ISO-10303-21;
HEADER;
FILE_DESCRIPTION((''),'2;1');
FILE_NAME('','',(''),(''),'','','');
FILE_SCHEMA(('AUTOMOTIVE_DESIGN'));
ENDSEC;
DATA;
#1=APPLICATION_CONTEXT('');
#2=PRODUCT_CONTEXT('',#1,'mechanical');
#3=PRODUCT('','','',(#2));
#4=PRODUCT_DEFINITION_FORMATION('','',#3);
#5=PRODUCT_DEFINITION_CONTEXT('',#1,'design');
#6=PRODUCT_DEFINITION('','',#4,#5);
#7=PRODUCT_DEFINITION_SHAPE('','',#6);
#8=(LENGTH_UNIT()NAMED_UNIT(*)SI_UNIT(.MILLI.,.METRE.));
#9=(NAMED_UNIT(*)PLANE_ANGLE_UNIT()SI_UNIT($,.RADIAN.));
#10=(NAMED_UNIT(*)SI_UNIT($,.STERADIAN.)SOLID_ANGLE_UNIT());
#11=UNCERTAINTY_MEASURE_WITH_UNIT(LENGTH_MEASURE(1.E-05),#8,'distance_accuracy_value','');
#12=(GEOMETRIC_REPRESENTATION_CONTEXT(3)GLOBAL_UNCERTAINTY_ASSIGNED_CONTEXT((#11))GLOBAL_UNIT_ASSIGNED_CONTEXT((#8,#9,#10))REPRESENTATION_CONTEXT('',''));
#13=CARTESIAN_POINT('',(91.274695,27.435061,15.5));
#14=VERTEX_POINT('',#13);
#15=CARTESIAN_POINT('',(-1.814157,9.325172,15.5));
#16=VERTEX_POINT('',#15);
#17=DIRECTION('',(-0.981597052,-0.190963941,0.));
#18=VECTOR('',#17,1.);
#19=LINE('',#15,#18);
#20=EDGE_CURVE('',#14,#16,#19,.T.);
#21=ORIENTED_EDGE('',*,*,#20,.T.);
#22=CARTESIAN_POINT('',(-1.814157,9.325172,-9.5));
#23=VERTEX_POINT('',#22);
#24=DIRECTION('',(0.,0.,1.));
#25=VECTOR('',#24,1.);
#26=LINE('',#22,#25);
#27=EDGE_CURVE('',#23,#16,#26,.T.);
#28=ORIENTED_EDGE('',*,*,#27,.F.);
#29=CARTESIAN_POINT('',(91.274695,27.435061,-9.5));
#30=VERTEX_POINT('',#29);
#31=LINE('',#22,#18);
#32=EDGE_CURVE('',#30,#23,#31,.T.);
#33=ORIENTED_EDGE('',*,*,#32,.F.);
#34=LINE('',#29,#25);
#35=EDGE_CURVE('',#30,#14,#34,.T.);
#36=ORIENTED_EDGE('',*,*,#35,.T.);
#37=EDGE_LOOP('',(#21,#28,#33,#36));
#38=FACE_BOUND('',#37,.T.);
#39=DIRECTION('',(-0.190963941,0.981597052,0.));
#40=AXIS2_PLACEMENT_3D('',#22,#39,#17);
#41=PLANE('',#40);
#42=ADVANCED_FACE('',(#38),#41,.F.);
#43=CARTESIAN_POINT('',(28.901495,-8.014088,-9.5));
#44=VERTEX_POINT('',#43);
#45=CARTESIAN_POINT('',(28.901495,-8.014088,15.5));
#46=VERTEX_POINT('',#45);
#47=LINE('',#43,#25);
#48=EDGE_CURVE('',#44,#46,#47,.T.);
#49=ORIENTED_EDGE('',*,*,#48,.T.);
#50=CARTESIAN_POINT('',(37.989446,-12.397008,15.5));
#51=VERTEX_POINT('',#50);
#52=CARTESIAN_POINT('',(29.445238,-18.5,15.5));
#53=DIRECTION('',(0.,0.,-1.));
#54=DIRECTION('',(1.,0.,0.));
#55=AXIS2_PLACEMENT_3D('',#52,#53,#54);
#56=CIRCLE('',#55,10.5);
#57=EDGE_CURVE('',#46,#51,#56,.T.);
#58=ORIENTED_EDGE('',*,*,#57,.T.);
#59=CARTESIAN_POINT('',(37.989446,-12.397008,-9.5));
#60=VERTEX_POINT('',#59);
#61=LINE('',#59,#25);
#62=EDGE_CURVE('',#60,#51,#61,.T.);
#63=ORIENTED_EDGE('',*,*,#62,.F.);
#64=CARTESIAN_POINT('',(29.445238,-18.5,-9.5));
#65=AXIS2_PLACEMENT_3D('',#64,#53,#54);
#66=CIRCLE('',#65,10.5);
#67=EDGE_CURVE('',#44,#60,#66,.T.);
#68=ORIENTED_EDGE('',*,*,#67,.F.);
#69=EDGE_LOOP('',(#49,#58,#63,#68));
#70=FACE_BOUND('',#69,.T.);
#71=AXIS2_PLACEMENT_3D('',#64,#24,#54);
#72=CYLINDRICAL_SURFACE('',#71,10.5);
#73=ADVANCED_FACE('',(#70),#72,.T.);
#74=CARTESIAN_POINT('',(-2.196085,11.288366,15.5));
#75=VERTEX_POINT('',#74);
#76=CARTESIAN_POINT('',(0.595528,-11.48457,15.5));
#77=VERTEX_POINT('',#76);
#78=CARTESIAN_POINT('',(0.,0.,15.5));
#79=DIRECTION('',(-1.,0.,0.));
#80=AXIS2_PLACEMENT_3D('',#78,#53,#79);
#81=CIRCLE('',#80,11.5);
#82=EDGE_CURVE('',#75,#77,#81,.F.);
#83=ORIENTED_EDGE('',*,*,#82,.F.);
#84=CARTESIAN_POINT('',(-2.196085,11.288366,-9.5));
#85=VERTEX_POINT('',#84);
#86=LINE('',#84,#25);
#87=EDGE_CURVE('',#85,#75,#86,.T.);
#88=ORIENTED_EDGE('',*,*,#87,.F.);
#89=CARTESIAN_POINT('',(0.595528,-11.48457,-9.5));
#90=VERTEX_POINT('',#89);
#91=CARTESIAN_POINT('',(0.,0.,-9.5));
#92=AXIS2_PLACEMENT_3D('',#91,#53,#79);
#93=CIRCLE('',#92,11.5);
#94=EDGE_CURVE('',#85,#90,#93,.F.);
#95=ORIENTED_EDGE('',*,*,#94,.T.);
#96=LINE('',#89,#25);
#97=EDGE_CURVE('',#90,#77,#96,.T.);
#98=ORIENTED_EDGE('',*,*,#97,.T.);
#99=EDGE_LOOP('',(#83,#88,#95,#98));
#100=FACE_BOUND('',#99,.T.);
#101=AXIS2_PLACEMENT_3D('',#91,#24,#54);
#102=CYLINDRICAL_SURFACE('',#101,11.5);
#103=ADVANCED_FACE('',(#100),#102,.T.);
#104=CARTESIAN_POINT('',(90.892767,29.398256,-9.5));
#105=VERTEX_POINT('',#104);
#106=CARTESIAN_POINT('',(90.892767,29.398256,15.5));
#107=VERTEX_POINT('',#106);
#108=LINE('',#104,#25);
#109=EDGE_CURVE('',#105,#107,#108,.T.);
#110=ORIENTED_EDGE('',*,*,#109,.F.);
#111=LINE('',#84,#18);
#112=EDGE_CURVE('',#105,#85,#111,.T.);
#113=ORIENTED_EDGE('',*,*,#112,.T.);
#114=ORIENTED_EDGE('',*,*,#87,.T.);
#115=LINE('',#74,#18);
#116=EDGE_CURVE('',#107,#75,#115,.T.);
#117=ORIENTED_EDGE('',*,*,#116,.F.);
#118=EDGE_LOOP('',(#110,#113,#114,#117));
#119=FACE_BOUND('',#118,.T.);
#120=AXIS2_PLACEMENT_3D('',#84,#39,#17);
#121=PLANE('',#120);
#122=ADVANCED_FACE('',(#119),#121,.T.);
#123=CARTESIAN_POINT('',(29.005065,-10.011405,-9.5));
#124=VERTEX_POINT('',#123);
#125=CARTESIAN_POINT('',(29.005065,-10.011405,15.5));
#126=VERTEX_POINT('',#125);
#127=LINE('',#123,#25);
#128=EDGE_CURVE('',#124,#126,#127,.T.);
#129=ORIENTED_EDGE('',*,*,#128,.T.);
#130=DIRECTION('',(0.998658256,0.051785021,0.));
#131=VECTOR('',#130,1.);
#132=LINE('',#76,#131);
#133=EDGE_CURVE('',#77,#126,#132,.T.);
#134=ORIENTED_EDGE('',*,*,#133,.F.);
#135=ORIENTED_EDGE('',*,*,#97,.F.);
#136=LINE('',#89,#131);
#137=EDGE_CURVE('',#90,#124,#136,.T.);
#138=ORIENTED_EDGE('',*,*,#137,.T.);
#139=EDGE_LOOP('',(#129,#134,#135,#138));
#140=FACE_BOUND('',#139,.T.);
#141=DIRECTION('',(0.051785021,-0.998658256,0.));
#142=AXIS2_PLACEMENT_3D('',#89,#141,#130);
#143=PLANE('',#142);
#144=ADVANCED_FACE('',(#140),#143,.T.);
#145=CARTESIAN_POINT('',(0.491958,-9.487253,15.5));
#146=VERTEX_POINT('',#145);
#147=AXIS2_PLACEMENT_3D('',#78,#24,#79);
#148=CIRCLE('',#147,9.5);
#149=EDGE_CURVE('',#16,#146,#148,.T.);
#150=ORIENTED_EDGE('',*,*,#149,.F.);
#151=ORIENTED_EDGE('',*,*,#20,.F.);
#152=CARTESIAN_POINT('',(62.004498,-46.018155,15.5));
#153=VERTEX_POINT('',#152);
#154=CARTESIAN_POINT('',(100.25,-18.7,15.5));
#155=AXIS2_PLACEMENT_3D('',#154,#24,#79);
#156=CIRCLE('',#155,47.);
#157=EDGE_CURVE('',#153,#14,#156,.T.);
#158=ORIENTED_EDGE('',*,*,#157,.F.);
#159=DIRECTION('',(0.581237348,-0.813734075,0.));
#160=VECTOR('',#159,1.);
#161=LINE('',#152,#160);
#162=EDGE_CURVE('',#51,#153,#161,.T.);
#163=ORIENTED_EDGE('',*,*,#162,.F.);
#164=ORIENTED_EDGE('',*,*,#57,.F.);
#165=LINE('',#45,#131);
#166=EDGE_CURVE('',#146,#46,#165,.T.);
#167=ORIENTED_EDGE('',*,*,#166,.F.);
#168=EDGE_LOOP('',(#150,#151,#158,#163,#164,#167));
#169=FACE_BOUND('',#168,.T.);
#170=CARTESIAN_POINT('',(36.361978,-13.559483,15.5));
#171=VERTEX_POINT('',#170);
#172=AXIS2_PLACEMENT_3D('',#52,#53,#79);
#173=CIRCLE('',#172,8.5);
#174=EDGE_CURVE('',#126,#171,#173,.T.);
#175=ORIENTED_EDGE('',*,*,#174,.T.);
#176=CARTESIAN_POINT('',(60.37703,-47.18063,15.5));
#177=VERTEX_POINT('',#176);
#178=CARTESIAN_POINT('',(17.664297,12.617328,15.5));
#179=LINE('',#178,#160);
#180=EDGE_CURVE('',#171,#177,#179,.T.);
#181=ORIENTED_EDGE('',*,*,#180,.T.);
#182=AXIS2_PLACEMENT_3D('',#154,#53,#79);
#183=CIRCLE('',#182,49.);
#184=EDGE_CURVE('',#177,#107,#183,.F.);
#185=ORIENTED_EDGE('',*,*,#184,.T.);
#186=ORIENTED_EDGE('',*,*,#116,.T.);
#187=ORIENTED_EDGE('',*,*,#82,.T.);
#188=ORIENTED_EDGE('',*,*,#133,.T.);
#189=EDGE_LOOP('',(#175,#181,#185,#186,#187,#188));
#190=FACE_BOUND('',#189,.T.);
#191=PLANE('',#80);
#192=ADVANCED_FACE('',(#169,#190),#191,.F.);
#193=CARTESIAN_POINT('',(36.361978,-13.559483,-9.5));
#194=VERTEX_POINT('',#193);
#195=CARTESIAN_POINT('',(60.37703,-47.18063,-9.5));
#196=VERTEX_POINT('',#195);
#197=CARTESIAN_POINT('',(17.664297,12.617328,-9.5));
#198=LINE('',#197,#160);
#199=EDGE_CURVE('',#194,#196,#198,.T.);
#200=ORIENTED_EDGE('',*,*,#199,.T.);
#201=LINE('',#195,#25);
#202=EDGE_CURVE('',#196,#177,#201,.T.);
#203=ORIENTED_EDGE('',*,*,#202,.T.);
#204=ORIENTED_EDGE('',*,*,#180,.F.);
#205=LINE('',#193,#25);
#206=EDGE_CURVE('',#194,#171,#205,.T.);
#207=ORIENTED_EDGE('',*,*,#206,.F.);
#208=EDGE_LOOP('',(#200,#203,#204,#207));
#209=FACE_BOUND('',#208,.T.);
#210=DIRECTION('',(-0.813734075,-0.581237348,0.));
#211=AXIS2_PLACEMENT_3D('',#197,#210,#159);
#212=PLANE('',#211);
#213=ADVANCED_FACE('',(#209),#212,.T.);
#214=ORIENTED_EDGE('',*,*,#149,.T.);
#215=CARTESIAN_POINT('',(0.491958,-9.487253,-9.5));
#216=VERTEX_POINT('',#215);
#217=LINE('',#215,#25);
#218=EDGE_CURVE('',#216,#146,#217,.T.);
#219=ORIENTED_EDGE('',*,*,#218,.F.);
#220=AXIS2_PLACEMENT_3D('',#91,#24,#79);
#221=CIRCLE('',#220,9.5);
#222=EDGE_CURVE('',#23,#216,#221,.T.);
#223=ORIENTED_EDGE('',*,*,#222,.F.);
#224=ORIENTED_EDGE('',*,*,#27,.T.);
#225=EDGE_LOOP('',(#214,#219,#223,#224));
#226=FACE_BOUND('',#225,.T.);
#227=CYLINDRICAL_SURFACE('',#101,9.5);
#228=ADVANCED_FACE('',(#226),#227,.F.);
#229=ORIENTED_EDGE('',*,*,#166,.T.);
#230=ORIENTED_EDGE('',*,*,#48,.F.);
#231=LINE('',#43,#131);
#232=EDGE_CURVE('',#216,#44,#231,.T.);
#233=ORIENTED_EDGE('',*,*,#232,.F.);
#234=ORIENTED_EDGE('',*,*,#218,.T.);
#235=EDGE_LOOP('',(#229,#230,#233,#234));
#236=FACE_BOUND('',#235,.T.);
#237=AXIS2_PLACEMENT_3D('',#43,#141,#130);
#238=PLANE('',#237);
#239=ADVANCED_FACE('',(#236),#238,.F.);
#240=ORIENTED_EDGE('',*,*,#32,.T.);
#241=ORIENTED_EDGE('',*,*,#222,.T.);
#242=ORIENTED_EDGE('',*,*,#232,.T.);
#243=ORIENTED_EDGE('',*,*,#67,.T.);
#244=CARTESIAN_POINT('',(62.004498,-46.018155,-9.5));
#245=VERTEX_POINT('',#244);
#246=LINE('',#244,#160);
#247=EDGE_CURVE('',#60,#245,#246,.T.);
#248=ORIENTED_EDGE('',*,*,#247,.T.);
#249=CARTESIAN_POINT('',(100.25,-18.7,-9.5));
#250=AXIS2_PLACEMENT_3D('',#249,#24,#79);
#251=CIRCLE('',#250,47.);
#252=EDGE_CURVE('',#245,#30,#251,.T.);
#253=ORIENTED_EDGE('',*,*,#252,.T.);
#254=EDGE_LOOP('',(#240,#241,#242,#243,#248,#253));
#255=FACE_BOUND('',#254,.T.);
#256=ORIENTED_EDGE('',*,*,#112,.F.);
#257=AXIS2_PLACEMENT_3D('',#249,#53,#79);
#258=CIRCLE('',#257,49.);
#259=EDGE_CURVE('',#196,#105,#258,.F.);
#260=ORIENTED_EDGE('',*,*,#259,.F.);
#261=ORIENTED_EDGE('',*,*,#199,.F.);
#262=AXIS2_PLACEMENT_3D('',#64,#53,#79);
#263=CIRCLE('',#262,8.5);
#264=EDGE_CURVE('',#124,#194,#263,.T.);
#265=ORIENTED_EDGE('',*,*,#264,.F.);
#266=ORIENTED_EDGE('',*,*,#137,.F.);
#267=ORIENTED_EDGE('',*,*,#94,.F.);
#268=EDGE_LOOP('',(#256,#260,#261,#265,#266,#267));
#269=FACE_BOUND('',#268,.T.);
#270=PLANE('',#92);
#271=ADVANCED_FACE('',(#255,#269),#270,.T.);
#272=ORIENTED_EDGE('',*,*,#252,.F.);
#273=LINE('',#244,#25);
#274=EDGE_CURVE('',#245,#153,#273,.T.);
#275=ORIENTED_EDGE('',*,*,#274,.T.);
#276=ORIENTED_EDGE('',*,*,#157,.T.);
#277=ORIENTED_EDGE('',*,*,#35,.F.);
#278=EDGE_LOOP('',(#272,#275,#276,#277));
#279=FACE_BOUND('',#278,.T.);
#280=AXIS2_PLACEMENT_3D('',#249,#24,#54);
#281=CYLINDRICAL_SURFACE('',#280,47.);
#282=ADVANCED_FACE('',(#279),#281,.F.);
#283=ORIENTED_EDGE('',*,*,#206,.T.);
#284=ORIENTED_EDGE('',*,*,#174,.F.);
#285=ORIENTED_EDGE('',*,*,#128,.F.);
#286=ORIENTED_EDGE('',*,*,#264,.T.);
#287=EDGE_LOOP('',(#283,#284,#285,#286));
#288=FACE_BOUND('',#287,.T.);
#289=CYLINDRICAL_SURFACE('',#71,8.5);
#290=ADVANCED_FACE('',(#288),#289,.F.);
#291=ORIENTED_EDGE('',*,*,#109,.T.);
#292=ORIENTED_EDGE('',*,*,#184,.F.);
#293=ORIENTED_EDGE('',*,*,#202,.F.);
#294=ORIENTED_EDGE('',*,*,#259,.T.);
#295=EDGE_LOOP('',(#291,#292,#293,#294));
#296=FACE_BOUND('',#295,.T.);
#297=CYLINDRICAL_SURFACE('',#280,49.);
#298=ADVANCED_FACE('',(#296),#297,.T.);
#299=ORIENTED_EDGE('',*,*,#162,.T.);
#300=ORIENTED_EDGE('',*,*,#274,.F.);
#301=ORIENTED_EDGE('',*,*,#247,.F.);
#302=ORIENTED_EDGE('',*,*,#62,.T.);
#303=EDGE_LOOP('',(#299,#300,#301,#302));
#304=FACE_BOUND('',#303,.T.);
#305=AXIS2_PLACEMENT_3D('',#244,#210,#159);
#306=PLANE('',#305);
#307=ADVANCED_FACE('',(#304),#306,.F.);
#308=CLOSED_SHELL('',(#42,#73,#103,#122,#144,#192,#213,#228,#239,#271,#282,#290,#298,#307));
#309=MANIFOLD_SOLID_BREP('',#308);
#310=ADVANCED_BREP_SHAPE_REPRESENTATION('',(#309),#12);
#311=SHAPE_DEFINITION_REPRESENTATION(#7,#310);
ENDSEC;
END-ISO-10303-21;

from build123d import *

# Parameters (mm, degrees)
EXTRUDE_THIN1_DEPTH      = 15.5
EXTRUDE_THIN1_DEPTH_BACK = 9.5


with BuildPart() as part:
    # Sketch2 → Extrude-Thin1 (new, two sides)
    with BuildSketch(Plane.XY) as extrude_thin1_sk:
        with BuildLine():
            Line((29.005065407, -10.011404827), (0.595527741, -11.48456994))
            ThreePointArc((0.595527741, -11.48456994), (-11.414556502, -1.399249751), (-2.196085326, 11.288366101))
            Line((-2.196085326, 11.288366101), (90.892766873, 29.398255563))
            ThreePointArc((90.892766873, 29.398255563), (145.769058071, -36.838780342), (60.377030306, -47.180630045))
            Line((60.377030306, -47.180630045), (36.361977726, -13.559482543))
            ThreePointArc((36.361977726, -13.559482543), (33.137621296, -10.843871329), (29.005065407, -10.011404827))
        make_face()
        with BuildLine():
            Line((28.901495366, -8.014088315), (0.491957699, -9.487253429))
            ThreePointArc((0.491957699, -9.487253429), (-9.429416241, -1.155901968), (-1.814157443, 9.325171997))
            Line((-1.814157443, 9.325171997), (91.274694756, 27.435061458))
            ThreePointArc((91.274694756, 27.435061458), (143.911137334, -36.098421961), (62.004498457, -46.01815535))
            Line((62.004498457, -46.01815535), (37.989445877, -12.397007847))
            ThreePointArc((37.989445877, -12.397007847), (34.006417346, -9.042429289), (28.901495366, -8.014088315))
        make_face(mode=Mode.SUBTRACT)
    extrude(amount=EXTRUDE_THIN1_DEPTH)
    extrude(extrude_thin1_sk.sketch, amount=-EXTRUDE_THIN1_DEPTH_BACK)


solid = part.part
